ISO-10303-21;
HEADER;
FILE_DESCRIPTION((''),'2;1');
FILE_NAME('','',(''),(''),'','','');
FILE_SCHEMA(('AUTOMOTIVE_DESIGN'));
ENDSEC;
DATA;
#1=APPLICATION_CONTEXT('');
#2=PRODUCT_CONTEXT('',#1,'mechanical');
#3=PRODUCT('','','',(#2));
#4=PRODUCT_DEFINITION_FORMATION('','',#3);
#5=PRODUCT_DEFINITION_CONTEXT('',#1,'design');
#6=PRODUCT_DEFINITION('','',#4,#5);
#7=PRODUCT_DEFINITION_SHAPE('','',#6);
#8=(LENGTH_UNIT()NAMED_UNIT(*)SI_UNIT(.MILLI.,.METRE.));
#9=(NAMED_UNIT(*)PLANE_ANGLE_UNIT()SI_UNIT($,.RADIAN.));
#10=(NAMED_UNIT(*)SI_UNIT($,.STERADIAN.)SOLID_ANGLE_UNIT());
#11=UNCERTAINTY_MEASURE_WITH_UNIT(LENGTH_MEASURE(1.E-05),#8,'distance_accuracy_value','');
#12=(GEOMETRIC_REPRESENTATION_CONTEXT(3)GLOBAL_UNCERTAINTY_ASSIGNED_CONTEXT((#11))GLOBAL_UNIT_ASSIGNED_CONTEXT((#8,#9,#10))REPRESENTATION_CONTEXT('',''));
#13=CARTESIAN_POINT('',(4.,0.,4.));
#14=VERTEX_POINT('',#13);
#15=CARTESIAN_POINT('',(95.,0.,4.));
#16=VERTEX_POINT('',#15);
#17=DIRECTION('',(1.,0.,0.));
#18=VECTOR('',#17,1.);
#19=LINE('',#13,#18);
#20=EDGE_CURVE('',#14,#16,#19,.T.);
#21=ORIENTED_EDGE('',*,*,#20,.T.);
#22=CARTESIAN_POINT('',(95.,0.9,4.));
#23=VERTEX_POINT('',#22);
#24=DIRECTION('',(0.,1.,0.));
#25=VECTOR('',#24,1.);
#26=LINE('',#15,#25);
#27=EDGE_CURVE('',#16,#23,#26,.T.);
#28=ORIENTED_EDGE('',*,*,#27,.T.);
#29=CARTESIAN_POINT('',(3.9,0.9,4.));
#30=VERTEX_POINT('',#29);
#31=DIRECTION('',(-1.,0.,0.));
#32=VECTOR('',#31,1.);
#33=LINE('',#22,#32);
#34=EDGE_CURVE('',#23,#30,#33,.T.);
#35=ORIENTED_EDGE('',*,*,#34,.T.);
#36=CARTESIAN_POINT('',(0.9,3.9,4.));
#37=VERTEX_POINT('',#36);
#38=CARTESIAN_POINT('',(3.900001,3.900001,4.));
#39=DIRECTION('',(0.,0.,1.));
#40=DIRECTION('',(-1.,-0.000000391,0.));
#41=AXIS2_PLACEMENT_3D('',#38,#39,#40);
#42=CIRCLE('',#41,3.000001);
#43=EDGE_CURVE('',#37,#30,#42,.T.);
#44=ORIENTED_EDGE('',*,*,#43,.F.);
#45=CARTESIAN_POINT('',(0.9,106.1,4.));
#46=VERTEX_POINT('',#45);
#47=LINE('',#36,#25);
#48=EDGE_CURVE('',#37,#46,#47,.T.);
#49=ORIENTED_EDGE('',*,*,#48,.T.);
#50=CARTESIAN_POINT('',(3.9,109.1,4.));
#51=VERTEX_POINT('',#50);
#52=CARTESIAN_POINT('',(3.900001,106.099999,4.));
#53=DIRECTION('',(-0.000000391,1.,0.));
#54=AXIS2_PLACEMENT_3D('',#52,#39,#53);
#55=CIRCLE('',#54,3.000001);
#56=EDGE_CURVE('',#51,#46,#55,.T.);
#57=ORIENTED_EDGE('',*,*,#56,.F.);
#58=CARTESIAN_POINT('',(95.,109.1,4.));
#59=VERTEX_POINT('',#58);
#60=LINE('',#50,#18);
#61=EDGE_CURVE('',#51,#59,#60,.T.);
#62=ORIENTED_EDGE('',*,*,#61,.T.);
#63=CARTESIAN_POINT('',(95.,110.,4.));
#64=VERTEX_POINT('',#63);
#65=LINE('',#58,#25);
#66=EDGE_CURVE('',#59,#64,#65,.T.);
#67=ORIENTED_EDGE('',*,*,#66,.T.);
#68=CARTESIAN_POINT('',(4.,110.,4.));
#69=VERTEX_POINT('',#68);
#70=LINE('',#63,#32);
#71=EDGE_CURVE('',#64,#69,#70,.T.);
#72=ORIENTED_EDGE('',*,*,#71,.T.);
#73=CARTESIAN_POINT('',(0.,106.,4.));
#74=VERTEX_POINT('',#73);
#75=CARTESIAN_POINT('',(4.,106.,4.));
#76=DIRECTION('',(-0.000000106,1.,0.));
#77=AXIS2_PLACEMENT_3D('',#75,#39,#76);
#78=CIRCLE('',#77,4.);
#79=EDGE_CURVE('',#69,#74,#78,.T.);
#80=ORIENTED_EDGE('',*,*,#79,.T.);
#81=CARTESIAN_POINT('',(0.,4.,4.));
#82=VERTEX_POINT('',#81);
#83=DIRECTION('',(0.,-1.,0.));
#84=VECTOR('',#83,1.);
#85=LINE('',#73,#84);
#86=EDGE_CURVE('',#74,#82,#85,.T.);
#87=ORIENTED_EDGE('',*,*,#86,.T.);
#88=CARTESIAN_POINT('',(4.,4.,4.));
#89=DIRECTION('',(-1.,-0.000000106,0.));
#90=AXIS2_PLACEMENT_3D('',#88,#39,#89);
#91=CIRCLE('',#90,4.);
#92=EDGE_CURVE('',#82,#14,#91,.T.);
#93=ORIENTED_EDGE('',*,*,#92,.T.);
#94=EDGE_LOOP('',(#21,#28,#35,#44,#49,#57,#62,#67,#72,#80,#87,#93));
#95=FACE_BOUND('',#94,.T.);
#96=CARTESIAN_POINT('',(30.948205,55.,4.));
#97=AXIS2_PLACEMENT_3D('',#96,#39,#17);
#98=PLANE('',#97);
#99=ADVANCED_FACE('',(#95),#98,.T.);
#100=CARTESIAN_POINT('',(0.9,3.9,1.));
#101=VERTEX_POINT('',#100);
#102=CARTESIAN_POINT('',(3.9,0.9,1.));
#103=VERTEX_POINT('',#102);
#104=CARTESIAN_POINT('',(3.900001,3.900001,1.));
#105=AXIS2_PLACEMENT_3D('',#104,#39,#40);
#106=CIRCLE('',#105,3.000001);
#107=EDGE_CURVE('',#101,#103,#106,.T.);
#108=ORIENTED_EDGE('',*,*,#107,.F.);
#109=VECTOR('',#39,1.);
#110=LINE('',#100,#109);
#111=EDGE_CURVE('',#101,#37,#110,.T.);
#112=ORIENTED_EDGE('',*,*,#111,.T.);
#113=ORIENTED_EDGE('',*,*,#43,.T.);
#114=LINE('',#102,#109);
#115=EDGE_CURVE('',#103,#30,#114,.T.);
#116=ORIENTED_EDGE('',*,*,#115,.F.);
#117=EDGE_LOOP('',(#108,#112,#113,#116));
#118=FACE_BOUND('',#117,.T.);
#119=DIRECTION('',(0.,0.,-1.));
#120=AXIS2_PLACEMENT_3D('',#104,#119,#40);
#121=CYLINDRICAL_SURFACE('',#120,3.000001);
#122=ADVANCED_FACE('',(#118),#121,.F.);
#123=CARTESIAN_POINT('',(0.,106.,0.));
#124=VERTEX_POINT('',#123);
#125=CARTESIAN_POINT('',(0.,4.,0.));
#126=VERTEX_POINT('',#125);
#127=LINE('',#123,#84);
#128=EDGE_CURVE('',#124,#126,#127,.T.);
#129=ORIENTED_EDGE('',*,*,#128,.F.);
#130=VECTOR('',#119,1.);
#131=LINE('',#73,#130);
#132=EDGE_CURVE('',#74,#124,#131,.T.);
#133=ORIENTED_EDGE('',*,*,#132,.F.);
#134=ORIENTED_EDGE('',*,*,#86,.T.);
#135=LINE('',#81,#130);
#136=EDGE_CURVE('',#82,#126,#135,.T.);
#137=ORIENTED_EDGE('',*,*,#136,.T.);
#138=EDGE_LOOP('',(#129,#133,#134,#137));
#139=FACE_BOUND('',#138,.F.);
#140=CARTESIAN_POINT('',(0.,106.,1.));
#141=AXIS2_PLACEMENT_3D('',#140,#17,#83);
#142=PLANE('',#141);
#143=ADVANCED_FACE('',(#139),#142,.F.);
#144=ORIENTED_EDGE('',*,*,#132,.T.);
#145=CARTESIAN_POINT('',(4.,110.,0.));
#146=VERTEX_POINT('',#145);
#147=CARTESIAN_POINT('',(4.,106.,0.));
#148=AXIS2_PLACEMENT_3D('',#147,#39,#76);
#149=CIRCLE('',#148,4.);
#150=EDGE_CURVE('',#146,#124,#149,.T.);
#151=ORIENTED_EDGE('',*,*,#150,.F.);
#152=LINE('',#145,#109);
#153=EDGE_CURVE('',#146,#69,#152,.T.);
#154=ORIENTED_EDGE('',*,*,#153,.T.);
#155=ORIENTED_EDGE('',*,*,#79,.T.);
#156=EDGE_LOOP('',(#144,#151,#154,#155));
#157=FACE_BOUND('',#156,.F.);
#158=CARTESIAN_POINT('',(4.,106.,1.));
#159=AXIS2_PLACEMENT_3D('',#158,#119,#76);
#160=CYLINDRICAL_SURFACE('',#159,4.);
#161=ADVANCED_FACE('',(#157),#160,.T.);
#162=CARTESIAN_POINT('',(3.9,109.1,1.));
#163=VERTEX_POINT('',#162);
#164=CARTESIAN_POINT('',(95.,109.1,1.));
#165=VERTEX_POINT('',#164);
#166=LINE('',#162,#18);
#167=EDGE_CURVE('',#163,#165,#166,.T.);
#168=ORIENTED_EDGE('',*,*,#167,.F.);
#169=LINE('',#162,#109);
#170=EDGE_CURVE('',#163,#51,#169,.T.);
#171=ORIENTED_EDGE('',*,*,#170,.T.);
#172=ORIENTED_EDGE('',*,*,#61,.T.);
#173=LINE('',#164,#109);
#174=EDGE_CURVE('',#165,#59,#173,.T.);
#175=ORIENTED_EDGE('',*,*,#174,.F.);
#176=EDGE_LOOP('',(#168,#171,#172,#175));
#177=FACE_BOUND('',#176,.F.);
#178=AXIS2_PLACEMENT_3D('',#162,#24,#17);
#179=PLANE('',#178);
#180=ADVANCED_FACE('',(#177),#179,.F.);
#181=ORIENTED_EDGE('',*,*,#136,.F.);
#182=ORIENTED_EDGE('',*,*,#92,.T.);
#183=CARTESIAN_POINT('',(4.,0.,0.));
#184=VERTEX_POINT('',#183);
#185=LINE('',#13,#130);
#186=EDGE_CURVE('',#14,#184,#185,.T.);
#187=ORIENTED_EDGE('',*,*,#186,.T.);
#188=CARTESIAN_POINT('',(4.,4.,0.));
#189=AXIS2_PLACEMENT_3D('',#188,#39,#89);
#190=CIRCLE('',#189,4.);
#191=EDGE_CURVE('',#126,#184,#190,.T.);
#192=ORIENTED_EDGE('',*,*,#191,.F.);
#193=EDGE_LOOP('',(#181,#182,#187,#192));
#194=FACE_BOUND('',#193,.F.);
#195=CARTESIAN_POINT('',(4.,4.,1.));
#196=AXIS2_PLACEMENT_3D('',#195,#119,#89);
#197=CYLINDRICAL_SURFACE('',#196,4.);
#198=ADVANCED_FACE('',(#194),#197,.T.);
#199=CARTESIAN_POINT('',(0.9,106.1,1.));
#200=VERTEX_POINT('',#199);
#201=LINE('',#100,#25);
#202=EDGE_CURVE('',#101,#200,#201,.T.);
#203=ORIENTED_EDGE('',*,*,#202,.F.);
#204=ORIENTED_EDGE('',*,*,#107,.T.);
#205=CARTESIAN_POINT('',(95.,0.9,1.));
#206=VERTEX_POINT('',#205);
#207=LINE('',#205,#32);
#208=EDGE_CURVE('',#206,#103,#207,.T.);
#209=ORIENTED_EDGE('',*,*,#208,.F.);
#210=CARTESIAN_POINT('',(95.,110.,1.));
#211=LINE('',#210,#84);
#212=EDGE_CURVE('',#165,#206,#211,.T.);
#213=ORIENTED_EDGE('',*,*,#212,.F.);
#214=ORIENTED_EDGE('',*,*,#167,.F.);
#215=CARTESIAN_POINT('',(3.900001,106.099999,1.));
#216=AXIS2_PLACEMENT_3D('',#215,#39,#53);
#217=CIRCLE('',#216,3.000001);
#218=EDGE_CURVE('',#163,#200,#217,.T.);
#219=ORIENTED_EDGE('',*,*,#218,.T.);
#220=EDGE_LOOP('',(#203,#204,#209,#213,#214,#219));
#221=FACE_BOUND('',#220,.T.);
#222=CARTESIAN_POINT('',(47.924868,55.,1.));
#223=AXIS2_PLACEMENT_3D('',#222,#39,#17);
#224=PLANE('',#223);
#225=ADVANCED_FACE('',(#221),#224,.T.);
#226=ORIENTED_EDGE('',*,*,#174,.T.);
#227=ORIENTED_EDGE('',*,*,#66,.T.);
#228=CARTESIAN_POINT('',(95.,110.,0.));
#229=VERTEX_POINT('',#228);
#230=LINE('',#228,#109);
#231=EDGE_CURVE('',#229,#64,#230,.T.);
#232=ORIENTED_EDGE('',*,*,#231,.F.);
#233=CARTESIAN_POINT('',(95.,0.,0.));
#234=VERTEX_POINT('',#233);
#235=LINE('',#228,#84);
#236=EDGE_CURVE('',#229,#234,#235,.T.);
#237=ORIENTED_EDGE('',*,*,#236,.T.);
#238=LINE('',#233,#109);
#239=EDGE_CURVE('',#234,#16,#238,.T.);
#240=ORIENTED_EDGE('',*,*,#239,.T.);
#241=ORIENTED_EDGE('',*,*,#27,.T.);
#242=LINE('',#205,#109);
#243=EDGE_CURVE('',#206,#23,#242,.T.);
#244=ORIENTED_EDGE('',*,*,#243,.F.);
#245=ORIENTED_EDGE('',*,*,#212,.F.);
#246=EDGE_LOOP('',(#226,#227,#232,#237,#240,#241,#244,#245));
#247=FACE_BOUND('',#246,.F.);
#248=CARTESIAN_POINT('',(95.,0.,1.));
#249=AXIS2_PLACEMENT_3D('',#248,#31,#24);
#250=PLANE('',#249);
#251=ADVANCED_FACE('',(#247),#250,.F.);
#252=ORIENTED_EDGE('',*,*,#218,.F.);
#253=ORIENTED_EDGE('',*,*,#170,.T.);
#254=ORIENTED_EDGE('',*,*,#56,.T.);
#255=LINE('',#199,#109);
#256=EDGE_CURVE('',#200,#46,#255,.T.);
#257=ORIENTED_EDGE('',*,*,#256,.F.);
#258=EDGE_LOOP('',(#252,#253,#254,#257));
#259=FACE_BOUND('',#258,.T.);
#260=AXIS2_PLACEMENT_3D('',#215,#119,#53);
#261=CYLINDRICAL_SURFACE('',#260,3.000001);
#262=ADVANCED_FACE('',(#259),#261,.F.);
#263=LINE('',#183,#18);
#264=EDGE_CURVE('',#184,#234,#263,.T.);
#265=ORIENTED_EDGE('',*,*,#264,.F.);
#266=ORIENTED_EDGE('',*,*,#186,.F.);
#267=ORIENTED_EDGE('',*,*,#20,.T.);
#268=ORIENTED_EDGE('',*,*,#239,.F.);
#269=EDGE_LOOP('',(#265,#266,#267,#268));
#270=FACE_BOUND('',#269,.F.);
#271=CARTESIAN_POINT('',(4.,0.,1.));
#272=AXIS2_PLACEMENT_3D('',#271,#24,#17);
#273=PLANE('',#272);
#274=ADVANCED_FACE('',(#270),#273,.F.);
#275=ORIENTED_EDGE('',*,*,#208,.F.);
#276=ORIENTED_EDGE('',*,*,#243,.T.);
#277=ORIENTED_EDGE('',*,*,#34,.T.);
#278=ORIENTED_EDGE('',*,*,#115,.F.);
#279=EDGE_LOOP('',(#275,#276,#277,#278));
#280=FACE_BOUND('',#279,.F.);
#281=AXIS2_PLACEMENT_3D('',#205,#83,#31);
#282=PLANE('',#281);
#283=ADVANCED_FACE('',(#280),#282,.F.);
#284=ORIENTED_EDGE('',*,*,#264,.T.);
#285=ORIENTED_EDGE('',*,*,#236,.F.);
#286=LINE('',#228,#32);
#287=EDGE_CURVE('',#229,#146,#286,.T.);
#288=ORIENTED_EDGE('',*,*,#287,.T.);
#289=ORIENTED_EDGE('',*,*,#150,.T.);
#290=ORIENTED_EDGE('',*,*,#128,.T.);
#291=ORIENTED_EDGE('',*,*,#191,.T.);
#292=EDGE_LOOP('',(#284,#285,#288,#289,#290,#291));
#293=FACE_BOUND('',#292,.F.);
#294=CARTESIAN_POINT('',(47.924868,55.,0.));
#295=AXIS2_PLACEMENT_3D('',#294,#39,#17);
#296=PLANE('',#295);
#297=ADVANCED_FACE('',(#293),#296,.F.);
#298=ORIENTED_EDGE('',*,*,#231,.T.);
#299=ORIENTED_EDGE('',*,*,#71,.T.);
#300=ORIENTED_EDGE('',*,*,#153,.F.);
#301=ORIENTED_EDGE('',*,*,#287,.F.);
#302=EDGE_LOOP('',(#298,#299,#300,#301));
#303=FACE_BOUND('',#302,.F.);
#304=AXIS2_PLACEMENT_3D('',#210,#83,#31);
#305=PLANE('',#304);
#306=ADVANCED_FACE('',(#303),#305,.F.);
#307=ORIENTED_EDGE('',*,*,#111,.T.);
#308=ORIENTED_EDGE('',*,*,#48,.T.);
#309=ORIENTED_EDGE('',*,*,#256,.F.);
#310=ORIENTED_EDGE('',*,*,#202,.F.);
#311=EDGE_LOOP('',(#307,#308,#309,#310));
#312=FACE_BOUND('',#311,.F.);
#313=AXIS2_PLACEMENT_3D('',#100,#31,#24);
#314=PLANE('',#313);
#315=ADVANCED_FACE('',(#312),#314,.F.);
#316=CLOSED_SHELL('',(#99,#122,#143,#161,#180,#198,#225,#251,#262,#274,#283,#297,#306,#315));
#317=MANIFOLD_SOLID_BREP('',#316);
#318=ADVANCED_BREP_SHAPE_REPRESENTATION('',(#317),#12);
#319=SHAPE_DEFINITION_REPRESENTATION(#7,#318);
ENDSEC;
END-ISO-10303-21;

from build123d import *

# Parameters (mm, degrees)
PAD_DEPTH    = 1
PAD001_DEPTH = 3


with BuildPart() as part:
    # Sketch → Pad (new body)
    with BuildSketch(Plane.XY):
        with BuildLine():
            Line((4, 0), (95, 0))
            Line((95, 110), (95, 0))
            Line((95, 110), (4, 110))
            ThreePointArc((4, 110), (1.171573, 108.828427), (0, 106))
            Line((0, 106), (0, 4))
            ThreePointArc((0, 4), (1.171573, 1.171573), (4, 0))
        make_face()
    extrude(amount=PAD_DEPTH)

    # Sketch001 → Pad001 (new body)
    with BuildSketch(Plane.XY.offset(1)):
        with BuildLine():
            Line((4, 0), (95, 0))
            Line((95, 0), (95, 0.9))
            Line((95, 0.9), (3.9, 0.9))
            ThreePointArc((0.9, 3.9), (1.77868, 1.77868), (3.9, 0.9))
            Line((0.9, 3.9), (0.9, 106.1))
            ThreePointArc((3.9, 109.1), (1.77868, 108.22132), (0.9, 106.1))
            Line((3.9, 109.1), (95, 109.1))
            Line((95, 109.1), (95, 110))
            Line((95, 110), (4, 110))
            ThreePointArc((4, 110), (1.171573, 108.828427), (0, 106))
            Line((0, 106), (0, 4))
            ThreePointArc((0, 4), (1.171573, 1.171573), (4, 0))
        make_face()
    extrude(amount=PAD001_DEPTH)


solid = part.part
